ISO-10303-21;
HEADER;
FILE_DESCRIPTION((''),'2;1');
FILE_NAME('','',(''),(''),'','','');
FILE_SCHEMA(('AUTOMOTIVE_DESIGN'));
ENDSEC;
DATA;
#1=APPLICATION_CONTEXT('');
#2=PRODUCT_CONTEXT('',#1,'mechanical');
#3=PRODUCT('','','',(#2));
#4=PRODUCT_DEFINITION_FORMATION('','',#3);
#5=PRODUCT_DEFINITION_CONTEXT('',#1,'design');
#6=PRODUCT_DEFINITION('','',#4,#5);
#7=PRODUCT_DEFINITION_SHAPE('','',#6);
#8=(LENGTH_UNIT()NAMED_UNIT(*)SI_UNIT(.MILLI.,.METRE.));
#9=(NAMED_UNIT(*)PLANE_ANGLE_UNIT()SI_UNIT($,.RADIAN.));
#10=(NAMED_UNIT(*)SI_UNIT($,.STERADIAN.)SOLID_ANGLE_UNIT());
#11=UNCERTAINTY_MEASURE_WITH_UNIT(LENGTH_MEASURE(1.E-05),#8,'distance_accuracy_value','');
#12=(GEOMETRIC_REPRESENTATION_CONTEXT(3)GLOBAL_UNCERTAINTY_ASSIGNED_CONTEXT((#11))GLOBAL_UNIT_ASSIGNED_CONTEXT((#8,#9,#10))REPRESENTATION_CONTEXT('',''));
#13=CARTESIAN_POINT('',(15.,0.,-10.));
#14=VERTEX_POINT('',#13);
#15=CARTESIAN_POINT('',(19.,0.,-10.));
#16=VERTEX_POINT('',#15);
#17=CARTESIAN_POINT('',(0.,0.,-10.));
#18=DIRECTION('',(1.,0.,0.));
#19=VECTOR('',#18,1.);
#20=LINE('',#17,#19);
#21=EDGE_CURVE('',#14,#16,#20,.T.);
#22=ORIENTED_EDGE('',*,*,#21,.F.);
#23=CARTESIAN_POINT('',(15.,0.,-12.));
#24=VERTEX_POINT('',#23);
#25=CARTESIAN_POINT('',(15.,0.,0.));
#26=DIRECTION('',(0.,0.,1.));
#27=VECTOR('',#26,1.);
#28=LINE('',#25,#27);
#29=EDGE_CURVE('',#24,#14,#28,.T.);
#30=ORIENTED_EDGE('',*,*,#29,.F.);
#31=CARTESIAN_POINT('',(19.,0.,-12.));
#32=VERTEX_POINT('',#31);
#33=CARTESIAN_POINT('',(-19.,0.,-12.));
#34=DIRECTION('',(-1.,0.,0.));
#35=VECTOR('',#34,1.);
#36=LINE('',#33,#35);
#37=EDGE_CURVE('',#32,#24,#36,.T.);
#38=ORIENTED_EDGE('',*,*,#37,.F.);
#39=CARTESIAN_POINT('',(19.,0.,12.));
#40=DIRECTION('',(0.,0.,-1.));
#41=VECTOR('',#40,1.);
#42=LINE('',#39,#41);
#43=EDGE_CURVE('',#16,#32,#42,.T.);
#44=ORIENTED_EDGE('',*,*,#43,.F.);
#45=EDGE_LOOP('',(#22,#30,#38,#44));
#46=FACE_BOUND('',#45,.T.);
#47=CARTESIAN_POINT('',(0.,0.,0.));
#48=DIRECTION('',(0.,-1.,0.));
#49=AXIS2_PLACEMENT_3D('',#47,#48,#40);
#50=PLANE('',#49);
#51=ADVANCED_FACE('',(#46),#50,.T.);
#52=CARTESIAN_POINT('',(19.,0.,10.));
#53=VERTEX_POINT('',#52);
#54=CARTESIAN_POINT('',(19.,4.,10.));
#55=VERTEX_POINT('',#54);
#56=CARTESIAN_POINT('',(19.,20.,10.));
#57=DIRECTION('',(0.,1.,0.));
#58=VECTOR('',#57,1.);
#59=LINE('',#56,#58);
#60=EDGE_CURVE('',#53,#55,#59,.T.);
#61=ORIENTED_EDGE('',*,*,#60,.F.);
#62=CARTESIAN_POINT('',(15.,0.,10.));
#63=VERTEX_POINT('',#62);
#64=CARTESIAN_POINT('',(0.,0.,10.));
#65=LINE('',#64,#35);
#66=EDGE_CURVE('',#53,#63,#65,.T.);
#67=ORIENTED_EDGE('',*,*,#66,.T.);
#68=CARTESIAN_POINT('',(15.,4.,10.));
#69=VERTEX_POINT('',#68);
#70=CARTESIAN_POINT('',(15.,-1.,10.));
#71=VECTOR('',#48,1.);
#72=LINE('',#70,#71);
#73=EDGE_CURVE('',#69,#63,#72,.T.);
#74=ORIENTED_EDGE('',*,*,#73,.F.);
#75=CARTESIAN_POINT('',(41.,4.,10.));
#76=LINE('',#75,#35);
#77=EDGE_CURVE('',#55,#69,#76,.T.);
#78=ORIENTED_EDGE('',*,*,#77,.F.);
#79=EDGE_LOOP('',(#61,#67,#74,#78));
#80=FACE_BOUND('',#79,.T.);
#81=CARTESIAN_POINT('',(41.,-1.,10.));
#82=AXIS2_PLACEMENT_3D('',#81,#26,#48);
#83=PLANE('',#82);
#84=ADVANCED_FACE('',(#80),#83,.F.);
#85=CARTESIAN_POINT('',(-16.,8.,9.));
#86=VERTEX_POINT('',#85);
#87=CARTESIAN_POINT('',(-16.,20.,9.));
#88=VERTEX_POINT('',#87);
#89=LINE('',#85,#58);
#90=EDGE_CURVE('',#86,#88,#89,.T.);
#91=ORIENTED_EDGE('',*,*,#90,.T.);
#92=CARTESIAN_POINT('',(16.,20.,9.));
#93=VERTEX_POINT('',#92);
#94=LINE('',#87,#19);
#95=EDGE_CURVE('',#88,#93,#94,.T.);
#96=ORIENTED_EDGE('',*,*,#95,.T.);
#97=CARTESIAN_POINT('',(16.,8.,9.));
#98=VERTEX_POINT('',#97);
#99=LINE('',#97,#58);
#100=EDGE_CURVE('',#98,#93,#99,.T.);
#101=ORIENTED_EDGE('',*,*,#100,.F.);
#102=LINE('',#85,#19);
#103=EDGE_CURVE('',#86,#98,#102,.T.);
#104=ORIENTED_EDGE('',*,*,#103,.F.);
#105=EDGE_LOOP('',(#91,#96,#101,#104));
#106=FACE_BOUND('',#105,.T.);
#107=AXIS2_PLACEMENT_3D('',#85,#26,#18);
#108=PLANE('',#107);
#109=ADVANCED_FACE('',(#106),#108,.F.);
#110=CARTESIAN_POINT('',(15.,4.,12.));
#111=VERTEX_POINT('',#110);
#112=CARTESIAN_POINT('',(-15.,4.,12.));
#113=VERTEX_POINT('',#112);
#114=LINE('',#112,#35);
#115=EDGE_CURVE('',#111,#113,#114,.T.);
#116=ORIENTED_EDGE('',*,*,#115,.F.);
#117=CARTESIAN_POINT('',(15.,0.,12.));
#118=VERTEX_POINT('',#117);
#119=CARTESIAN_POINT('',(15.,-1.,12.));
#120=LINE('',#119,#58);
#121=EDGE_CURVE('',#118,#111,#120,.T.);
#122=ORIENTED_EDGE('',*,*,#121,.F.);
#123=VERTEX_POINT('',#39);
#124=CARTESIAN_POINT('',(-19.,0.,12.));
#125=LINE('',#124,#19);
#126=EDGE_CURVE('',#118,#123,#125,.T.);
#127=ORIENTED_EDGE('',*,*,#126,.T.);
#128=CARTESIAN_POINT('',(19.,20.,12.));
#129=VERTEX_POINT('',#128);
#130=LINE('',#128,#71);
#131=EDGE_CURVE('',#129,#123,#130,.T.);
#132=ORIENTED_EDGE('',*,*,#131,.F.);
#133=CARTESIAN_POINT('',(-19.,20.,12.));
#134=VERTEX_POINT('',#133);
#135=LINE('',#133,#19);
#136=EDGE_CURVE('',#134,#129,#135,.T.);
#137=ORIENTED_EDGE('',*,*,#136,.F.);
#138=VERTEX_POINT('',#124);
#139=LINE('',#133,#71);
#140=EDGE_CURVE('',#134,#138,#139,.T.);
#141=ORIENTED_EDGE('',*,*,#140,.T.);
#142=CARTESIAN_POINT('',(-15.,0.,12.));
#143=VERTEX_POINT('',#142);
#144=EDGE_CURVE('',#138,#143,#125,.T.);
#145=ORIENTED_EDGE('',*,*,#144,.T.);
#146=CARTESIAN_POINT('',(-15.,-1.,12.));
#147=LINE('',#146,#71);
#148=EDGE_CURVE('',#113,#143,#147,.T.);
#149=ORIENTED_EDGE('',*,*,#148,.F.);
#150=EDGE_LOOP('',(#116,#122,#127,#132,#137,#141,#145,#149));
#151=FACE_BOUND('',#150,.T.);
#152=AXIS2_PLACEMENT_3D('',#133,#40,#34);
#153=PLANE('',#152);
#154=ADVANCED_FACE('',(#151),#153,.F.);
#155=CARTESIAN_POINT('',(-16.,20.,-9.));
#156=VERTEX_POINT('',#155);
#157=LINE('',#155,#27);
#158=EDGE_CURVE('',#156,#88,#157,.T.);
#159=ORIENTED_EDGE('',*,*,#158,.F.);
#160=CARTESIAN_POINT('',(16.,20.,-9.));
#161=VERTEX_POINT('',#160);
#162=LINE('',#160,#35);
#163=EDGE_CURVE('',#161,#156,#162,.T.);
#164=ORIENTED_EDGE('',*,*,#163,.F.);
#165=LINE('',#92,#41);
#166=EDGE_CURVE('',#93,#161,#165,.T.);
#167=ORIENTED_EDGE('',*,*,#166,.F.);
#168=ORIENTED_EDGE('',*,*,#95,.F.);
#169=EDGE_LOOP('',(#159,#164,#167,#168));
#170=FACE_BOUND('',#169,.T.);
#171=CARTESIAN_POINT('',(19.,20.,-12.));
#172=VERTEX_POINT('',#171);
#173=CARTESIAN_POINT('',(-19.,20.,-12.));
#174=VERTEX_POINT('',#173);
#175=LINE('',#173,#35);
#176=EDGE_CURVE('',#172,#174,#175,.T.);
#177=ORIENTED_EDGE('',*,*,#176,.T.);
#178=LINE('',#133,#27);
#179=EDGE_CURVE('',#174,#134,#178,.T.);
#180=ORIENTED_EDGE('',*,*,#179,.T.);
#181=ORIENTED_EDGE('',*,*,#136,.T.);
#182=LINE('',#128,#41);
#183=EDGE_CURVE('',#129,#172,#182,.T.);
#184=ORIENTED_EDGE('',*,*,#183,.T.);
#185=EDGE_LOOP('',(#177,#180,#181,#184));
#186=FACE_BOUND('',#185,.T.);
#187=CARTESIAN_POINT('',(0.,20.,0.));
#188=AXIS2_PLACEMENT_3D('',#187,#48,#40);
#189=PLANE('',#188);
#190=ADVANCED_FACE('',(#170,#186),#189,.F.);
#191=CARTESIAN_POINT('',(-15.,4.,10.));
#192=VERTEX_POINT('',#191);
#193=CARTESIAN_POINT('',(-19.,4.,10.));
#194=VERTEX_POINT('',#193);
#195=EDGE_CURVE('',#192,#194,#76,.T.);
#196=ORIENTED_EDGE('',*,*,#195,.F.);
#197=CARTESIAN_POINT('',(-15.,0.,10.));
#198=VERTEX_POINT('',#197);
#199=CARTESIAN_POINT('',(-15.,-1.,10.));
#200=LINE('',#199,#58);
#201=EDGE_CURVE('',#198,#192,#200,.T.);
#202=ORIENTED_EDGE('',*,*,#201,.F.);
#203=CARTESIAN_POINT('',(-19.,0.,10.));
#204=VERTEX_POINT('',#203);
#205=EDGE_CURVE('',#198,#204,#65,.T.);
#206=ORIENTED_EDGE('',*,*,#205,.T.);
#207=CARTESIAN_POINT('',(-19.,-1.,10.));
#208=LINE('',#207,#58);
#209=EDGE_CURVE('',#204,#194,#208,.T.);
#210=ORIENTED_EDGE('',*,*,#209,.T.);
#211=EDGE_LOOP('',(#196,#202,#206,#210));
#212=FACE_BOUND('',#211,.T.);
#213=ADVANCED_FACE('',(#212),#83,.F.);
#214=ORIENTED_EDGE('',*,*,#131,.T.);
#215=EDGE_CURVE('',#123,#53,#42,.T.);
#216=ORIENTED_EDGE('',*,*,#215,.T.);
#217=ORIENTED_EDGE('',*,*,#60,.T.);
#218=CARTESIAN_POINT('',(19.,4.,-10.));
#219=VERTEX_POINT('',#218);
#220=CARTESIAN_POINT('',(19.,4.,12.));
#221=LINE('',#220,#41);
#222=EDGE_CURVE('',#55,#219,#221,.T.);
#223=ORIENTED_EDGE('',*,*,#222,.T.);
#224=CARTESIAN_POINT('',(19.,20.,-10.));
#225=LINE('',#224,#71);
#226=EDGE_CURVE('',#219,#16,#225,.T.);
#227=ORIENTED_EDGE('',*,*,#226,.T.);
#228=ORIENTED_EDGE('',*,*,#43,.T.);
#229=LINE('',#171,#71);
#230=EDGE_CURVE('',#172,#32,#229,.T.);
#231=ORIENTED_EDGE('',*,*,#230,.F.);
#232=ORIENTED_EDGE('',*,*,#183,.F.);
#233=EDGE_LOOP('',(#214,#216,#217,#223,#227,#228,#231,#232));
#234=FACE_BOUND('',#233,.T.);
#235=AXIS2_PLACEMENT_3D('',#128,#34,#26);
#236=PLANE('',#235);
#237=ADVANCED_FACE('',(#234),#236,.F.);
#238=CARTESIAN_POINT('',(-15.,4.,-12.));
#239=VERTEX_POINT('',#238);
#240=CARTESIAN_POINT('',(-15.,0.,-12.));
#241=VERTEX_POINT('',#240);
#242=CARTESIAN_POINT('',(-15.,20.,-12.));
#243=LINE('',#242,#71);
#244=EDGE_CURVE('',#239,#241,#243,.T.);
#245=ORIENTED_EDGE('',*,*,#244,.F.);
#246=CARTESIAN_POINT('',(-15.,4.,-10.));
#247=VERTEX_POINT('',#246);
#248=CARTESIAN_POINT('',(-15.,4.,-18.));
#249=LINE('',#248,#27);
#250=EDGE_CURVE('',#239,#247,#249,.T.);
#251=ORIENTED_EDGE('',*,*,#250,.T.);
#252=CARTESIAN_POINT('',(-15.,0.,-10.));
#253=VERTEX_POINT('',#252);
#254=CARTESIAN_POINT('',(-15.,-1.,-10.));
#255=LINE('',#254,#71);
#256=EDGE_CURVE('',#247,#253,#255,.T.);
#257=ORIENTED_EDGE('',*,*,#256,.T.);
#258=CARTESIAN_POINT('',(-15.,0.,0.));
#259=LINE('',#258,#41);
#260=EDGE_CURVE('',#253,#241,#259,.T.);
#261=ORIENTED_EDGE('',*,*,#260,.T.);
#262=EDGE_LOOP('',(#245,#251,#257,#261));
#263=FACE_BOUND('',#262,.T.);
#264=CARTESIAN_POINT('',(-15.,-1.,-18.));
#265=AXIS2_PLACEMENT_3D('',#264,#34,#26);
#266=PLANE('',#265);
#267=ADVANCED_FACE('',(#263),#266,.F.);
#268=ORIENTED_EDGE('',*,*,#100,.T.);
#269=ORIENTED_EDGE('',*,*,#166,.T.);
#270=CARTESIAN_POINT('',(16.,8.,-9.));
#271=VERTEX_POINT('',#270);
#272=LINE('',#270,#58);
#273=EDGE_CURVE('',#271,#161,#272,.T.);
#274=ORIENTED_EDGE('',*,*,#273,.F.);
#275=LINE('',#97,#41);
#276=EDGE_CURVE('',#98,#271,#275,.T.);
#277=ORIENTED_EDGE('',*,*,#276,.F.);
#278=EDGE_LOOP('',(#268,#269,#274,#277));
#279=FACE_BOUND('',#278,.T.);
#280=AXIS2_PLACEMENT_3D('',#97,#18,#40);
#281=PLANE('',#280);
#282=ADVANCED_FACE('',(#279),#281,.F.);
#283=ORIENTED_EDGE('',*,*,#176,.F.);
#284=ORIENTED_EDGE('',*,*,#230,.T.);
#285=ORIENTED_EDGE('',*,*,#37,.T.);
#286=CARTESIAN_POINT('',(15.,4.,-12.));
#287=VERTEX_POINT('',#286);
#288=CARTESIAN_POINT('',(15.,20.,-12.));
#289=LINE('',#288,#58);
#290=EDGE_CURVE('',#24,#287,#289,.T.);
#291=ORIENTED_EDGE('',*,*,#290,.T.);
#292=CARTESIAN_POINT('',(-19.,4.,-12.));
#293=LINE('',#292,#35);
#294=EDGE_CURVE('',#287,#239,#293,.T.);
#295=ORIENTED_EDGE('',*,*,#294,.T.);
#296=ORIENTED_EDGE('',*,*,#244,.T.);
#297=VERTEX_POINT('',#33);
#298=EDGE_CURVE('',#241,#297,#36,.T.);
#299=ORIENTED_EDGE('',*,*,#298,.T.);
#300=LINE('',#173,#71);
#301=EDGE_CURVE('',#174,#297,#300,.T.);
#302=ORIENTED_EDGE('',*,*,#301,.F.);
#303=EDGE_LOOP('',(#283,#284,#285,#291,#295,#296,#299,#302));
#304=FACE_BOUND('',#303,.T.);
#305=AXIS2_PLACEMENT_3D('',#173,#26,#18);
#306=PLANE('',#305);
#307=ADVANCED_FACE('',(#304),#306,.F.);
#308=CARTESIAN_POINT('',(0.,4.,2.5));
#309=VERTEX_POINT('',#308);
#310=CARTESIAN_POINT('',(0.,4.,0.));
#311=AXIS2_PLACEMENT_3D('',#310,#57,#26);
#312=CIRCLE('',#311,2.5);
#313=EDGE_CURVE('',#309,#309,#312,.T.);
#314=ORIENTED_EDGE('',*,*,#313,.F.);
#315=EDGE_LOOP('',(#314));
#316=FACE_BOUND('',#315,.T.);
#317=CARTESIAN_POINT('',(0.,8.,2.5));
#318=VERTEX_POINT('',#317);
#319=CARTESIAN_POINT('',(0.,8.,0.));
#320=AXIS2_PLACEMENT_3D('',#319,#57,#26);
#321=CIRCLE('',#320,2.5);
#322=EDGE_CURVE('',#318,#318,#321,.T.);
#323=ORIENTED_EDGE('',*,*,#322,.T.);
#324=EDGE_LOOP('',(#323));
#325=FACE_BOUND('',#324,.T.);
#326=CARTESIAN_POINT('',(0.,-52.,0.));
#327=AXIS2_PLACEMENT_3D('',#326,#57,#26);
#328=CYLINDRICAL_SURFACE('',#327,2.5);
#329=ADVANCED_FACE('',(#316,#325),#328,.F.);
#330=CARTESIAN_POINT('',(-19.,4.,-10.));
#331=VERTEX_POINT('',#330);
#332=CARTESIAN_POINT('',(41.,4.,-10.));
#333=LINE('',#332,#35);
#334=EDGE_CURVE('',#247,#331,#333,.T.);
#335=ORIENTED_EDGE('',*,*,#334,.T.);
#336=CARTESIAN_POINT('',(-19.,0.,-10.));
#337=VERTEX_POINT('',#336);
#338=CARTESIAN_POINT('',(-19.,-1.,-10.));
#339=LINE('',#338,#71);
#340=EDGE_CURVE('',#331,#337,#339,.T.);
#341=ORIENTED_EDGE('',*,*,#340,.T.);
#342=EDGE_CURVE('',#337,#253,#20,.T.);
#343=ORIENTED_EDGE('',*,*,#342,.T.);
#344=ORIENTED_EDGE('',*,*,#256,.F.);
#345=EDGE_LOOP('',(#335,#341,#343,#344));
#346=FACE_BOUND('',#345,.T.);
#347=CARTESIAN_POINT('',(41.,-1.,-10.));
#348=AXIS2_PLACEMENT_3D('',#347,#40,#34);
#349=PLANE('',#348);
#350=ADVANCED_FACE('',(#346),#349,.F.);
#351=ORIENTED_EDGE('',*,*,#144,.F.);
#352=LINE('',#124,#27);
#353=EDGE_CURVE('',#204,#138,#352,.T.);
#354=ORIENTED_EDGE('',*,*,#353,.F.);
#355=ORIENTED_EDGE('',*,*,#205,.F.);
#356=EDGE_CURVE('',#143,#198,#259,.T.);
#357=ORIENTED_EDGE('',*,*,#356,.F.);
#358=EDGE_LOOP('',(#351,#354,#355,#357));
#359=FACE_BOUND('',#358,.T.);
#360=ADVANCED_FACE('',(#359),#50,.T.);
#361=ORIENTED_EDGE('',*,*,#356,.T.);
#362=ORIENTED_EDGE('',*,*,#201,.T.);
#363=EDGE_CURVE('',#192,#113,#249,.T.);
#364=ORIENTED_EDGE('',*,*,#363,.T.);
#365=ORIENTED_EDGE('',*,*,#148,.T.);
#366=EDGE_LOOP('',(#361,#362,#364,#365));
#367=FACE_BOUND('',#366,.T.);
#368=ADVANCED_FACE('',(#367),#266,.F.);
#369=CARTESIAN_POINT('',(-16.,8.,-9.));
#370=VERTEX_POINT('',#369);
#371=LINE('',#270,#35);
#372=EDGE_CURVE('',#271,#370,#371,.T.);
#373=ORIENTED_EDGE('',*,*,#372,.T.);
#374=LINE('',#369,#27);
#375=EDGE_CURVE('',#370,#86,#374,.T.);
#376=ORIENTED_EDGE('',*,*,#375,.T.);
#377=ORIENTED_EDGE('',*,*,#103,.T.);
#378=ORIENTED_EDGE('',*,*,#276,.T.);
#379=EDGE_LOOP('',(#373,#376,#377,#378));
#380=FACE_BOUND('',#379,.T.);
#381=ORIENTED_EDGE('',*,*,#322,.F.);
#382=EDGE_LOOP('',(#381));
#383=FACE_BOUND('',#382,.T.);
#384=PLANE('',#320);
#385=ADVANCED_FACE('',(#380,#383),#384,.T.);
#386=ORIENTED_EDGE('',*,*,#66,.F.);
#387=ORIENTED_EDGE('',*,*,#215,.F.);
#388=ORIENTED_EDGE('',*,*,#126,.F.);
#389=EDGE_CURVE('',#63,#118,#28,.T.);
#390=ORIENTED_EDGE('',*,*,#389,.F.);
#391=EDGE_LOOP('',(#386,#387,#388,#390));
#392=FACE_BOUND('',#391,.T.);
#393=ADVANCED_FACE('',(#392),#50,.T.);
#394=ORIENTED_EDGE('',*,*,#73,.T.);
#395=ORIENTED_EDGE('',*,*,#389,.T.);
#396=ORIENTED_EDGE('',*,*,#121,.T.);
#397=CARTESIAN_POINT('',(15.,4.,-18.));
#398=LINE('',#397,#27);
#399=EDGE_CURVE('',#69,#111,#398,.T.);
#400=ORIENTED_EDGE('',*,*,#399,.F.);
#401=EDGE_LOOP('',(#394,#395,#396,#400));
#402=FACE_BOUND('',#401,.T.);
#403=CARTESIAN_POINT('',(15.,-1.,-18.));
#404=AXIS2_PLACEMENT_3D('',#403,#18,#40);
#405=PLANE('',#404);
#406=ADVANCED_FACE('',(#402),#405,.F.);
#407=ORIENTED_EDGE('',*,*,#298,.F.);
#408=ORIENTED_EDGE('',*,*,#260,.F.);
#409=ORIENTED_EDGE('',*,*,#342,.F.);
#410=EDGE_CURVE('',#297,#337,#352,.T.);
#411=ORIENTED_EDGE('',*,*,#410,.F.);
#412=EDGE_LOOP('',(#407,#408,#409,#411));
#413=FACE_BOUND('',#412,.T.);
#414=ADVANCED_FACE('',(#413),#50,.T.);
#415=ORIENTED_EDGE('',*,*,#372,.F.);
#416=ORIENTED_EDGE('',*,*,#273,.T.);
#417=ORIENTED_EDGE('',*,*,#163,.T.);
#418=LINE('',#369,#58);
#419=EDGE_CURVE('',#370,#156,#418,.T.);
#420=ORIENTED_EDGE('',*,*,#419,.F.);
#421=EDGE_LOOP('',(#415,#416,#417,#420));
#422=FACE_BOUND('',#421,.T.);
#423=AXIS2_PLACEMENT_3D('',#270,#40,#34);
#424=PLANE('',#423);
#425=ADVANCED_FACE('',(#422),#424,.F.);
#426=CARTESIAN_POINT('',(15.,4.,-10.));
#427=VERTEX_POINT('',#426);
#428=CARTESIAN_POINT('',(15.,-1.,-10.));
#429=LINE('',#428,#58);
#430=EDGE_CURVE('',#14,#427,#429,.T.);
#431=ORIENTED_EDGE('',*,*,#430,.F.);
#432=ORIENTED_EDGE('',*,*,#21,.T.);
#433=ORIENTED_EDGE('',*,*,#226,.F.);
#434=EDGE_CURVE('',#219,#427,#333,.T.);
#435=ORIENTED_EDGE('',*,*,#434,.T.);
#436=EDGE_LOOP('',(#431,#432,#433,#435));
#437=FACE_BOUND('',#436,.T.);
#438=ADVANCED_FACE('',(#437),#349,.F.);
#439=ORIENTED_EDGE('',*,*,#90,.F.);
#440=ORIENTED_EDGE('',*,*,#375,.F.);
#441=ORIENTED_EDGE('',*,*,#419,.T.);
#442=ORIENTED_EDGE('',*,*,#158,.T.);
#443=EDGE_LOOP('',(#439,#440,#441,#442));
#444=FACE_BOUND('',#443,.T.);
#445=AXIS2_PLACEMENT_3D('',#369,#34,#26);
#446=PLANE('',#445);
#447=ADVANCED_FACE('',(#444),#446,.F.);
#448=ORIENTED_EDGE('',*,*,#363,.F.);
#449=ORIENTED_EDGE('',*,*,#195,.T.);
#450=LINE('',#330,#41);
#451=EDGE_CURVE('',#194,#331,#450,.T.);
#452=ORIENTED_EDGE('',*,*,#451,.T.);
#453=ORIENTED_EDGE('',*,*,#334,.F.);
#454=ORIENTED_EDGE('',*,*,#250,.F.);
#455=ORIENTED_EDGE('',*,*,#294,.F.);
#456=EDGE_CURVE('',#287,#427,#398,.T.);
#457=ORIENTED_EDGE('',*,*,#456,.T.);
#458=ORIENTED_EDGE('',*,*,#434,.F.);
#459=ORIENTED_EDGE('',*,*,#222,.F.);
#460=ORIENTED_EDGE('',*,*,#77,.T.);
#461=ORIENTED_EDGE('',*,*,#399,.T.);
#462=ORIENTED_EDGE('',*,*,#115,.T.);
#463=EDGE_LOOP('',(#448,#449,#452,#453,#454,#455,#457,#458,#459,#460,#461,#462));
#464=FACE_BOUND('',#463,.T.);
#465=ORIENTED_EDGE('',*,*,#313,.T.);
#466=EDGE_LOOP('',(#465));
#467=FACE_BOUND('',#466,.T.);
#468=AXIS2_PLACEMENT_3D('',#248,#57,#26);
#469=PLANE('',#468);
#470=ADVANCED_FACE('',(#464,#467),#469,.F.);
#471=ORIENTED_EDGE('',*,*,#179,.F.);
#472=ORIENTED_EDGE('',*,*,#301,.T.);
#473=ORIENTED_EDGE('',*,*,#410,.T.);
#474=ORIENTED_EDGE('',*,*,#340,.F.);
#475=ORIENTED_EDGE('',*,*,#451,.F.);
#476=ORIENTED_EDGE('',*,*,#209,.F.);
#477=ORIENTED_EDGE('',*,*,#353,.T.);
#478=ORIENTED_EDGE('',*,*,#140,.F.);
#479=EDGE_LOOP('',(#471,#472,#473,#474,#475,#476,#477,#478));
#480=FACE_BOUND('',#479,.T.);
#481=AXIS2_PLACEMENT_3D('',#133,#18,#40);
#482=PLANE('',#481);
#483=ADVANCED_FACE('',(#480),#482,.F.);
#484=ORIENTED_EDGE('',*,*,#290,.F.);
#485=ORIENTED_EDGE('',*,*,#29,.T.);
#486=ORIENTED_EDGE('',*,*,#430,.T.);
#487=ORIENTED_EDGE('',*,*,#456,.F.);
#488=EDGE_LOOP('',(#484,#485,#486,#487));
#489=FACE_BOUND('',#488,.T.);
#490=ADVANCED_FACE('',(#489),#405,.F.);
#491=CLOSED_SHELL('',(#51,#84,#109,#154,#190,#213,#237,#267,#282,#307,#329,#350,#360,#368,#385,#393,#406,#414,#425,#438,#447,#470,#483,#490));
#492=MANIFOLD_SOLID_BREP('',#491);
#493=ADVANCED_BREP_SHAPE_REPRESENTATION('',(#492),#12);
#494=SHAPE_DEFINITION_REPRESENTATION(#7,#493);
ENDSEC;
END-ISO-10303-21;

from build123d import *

# Parameters (mm, degrees)
ESQUISSE1_W             = 38
ESQUISSE1_H             = 24
BOSS_EXTRU_1_DEPTH      = 20
ESQUISSE2_W             = 32
ESQUISSE2_H             = 18
ENL_V_MAT_EXTRU_1_DEPTH = 12
ESQUISSE3_W             = 30
ESQUISSE3_H             = 5
ENL_V_MAT_EXTRU_2_DEPTH = 30
ESQUISSE4_W             = 20
ESQUISSE4_H             = 5
ENL_V_MAT_EXTRU_3_DEPTH = 60
ESQUISSE5_R             = 2.5
ENL_V_MAT_EXTRU_4_DEPTH = 60


with BuildPart() as part:
    # Esquisse1 → Boss.-Extru.1 (new body)
    with BuildSketch(Plane(origin=(0, 0, 0), x_dir=(1, 0, 0), z_dir=(0, 1, 0))):
        Rectangle(ESQUISSE1_W, ESQUISSE1_H)
    extrude(amount=BOSS_EXTRU_1_DEPTH)

    # Esquisse2 → Enlèv. mat.-Extru.1 (cut)
    with BuildSketch(Plane(origin=(0, 20, 0), x_dir=(1, 0, 0), z_dir=(0, 1, 0))):
        Rectangle(ESQUISSE2_W, ESQUISSE2_H)
    extrude(amount=-ENL_V_MAT_EXTRU_1_DEPTH, mode=Mode.SUBTRACT)

    # Esquisse3 → Enlèv. mat.-Extru.2 (cut)
    with BuildSketch(Plane.XY.offset(12)):
        with Locations((0, 1.5)):
            Rectangle(ESQUISSE3_W, ESQUISSE3_H)
    extrude(amount=-ENL_V_MAT_EXTRU_2_DEPTH, mode=Mode.SUBTRACT)

    # Esquisse4 → Enlèv. mat.-Extru.3 (cut)
    with BuildSketch(Plane.ZY.offset(19)):
        with Locations((0, 1.5)):
            Rectangle(ESQUISSE4_W, ESQUISSE4_H)
    extrude(amount=-ENL_V_MAT_EXTRU_3_DEPTH, mode=Mode.SUBTRACT)

    # Esquisse5 → Enlèv. mat.-Extru.4 (cut)
    with BuildSketch(Plane(origin=(0, 8, 0), x_dir=(1, 0, 0), z_dir=(0, 1, 0))):
        with Locations(Location((0, 0, 0), (0, 0, 270))):
            Circle(ESQUISSE5_R)
    extrude(amount=-ENL_V_MAT_EXTRU_4_DEPTH, mode=Mode.SUBTRACT)


solid = part.part
